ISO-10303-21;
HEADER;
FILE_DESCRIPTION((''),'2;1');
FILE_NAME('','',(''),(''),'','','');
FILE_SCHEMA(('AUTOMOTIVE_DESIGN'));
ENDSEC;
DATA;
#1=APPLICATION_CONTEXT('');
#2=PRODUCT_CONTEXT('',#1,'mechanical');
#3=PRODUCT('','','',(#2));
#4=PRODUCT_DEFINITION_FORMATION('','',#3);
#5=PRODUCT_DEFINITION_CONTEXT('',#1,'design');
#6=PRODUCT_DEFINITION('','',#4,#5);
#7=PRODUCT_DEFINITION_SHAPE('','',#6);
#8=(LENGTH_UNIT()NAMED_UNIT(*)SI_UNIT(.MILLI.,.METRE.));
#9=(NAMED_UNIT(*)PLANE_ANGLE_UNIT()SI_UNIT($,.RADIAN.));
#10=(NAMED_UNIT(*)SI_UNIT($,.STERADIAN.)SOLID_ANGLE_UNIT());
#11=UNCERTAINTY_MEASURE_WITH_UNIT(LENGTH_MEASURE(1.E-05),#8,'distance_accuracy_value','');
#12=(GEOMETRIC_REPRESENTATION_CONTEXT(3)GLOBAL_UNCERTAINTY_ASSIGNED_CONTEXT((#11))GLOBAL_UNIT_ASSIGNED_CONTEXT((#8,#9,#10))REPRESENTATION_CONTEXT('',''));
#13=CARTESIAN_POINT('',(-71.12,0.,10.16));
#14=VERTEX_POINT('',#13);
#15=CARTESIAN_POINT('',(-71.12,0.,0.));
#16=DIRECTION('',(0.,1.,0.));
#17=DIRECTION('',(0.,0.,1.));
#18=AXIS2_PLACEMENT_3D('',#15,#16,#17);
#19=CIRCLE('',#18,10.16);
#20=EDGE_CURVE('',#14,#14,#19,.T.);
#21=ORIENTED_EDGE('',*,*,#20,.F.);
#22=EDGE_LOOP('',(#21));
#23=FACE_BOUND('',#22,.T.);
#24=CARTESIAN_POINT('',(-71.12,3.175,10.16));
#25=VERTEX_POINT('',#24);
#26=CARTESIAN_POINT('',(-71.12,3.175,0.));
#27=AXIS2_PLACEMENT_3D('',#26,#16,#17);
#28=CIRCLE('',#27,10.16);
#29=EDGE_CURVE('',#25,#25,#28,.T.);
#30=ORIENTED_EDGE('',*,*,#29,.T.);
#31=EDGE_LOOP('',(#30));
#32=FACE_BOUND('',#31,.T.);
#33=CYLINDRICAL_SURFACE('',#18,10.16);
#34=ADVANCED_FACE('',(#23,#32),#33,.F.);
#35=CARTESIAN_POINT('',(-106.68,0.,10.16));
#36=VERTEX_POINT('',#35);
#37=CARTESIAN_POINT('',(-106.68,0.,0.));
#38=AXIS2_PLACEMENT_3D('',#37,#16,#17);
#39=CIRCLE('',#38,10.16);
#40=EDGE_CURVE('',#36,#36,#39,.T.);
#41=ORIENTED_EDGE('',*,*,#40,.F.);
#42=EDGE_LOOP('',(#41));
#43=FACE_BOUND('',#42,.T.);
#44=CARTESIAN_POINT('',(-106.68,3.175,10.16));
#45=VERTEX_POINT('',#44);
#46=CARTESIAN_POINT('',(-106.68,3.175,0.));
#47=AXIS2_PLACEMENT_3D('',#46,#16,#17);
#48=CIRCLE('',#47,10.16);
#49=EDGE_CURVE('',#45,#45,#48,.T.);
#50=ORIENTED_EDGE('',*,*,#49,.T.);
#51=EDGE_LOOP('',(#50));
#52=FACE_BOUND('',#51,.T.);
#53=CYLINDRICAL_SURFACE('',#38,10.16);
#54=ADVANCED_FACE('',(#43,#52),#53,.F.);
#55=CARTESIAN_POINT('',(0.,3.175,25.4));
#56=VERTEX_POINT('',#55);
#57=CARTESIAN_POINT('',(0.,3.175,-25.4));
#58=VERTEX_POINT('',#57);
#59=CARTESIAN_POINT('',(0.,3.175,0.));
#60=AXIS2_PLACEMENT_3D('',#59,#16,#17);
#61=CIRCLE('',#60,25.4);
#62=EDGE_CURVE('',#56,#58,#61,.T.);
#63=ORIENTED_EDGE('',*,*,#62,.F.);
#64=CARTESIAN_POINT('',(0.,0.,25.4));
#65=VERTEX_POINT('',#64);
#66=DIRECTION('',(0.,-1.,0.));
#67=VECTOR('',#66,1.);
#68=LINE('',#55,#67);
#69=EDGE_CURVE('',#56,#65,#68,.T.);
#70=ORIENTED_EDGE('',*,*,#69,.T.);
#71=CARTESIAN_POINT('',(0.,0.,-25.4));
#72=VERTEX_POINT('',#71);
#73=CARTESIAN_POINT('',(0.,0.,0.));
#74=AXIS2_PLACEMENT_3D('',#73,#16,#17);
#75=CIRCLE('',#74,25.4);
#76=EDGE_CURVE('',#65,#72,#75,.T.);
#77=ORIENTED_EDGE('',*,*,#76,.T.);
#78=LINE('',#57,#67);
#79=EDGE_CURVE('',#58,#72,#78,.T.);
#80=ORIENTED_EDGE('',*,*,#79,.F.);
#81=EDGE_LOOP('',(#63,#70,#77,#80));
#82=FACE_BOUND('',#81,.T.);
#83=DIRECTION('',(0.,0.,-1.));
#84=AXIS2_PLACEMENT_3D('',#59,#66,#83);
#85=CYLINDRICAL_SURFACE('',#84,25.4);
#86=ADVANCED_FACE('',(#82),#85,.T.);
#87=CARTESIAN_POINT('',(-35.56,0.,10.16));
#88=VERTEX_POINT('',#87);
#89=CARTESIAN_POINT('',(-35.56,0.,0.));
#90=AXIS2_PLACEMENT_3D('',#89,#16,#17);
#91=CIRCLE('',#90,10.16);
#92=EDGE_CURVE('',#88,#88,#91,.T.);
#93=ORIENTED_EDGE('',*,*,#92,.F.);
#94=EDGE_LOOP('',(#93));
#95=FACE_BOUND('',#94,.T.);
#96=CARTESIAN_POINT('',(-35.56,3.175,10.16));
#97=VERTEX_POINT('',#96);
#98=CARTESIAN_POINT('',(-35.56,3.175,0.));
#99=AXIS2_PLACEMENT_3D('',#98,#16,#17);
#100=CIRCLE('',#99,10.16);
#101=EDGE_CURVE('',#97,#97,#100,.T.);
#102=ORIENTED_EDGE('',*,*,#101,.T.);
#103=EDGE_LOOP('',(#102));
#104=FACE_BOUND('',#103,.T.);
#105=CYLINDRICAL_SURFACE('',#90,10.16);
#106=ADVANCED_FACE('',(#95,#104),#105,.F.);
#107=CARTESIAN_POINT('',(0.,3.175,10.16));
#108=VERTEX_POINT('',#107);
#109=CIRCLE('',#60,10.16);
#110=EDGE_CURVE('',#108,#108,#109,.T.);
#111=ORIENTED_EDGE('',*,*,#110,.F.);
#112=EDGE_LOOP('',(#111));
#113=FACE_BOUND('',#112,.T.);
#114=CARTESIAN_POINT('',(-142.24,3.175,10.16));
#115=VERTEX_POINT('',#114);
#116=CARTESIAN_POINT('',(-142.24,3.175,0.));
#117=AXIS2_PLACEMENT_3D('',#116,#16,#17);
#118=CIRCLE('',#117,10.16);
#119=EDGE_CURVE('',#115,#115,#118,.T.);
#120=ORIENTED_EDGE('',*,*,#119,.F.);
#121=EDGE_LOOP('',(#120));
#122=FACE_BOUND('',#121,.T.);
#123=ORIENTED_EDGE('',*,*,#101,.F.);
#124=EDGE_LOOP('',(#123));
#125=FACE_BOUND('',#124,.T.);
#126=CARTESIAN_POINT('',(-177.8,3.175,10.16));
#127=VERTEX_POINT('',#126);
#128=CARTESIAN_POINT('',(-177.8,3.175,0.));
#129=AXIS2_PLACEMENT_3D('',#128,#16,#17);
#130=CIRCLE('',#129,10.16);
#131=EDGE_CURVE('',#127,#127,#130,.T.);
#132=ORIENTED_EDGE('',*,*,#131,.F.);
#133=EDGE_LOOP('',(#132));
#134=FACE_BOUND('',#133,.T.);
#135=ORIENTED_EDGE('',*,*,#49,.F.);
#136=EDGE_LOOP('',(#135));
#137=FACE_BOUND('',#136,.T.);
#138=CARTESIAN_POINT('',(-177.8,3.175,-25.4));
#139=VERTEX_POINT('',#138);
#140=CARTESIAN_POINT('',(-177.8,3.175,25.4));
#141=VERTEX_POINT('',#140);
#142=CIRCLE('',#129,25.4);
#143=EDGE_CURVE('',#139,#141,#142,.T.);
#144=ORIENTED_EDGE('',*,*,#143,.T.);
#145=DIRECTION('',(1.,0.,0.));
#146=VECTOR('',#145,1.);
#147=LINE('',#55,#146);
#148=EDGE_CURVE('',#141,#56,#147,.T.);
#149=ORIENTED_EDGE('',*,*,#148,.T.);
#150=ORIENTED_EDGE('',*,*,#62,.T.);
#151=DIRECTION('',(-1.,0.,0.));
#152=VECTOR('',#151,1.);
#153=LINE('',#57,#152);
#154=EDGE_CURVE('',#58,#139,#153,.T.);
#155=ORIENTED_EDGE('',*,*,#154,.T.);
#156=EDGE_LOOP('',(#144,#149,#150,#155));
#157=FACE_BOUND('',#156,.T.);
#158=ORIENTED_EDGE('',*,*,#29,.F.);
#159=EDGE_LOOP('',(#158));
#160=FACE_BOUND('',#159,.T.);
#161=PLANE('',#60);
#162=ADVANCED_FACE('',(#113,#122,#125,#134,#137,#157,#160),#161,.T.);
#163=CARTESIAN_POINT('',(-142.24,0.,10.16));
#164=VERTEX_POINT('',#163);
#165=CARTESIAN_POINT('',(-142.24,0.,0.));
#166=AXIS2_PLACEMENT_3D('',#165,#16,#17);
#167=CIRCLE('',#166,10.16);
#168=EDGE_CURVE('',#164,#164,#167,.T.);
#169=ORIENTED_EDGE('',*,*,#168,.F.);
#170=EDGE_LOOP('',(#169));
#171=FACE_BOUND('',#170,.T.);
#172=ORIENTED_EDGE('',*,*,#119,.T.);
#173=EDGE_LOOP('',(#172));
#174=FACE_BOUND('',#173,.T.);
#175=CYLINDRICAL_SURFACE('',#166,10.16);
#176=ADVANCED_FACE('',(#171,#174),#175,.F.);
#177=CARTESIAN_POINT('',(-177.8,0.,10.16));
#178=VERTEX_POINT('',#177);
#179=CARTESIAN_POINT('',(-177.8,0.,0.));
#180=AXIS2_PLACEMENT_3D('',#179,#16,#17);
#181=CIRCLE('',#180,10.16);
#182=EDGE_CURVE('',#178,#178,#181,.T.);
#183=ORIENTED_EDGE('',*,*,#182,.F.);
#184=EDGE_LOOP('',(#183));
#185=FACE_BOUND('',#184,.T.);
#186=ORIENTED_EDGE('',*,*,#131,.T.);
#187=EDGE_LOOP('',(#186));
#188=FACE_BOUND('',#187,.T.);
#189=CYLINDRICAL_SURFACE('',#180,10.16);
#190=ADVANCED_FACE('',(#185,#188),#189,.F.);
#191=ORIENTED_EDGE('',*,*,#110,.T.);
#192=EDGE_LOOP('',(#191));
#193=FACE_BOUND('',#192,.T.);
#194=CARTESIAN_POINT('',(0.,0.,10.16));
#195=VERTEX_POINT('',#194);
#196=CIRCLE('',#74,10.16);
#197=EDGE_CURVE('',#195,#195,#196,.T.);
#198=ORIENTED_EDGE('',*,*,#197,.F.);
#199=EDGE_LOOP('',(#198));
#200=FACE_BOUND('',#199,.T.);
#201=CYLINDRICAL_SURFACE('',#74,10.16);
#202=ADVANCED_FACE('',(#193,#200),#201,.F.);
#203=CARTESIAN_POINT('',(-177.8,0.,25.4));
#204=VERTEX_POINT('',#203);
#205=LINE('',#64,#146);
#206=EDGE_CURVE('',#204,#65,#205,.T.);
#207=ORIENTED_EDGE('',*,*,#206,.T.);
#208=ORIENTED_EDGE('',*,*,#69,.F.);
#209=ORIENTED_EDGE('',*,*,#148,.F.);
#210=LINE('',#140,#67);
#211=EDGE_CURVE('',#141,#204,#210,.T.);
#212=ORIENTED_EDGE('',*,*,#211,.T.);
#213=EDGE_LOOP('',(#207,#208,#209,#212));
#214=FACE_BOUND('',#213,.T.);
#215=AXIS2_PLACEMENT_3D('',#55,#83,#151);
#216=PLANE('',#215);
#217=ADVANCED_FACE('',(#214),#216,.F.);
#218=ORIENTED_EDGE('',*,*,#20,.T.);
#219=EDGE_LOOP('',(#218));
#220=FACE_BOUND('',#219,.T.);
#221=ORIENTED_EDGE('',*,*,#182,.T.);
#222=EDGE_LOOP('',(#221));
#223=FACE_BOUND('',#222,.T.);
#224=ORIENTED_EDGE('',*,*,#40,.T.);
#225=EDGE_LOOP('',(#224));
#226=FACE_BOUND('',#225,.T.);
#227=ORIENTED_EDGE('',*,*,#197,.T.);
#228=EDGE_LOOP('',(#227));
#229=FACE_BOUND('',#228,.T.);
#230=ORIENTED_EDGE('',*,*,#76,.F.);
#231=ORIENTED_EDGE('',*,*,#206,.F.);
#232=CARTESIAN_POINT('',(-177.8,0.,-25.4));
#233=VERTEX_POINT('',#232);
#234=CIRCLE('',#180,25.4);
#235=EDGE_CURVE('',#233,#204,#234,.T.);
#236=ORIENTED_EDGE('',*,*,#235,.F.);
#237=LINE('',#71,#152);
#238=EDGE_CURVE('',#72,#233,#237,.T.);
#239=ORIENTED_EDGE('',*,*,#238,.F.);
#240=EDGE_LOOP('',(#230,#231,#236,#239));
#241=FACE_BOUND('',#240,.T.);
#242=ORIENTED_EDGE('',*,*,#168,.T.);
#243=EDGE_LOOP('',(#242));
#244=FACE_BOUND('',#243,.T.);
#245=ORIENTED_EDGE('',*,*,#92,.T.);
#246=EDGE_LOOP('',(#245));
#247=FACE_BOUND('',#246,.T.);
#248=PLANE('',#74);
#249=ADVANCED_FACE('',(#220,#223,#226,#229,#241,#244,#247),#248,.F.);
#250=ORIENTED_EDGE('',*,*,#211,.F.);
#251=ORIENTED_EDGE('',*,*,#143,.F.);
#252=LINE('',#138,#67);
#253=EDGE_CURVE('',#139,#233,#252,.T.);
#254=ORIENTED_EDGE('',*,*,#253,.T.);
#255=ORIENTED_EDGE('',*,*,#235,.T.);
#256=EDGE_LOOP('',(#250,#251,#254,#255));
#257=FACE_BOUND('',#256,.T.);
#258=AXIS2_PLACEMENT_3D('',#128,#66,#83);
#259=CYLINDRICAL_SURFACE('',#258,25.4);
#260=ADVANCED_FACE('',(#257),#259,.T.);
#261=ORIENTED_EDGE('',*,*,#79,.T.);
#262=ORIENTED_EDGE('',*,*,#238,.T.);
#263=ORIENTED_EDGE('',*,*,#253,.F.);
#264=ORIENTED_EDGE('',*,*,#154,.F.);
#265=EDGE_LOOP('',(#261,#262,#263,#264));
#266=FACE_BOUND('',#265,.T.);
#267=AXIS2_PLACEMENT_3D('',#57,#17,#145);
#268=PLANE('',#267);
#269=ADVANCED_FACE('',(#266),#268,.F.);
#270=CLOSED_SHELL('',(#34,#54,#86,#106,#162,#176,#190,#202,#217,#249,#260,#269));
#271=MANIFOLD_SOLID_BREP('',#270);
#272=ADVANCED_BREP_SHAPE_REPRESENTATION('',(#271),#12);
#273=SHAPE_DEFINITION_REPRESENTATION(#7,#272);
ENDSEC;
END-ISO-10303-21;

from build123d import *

# Parameters (mm, degrees)
BOSS_EXTRUDE1_DEPTH = 3.175
SKETCH3_R           = 10.16
CUT_EXTRUDE1_DEPTH  = 205.80595847
LPATTERN1_COUNT     = 6
LPATTERN1_PITCH     = 35.56


with BuildPart() as part:
    # Sketch1 → Boss-Extrude1 (new body)
    with BuildSketch(Plane(origin=(0, 0, 0), x_dir=(1, 0, 0), z_dir=(0, 1, 0))):
        with BuildLine():
            Line((0, 25.4), (-177.8, 25.4))
            ThreePointArc((-177.8, 25.4), (-203.2, 0), (-177.8, -25.4))
            Line((-177.8, -25.4), (0, -25.4))
            ThreePointArc((0, -25.4), (25.4, 0), (0, 25.4))
        make_face()
    extrude(amount=BOSS_EXTRUDE1_DEPTH)

    # Sketch3 → Cut-Extrude1 (cut, through all)
    with BuildSketch(Plane(origin=(0, 3.175, 0), x_dir=(1, 0, 0), z_dir=(0, 1, 0))):
        with Locations(Location((-177.8, 0, 0), (0, 0, 270))):
            Circle(SKETCH3_R)
    cut_extrude1 = extrude(amount=-CUT_EXTRUDE1_DEPTH, mode=Mode.SUBTRACT)

    # LPattern1: Cut-Extrude1 ×6
    with Locations(*[(i * LPATTERN1_PITCH, 0, 0) for i in range(1, LPATTERN1_COUNT)]):
        add(cut_extrude1, mode=Mode.SUBTRACT)


solid = part.part
